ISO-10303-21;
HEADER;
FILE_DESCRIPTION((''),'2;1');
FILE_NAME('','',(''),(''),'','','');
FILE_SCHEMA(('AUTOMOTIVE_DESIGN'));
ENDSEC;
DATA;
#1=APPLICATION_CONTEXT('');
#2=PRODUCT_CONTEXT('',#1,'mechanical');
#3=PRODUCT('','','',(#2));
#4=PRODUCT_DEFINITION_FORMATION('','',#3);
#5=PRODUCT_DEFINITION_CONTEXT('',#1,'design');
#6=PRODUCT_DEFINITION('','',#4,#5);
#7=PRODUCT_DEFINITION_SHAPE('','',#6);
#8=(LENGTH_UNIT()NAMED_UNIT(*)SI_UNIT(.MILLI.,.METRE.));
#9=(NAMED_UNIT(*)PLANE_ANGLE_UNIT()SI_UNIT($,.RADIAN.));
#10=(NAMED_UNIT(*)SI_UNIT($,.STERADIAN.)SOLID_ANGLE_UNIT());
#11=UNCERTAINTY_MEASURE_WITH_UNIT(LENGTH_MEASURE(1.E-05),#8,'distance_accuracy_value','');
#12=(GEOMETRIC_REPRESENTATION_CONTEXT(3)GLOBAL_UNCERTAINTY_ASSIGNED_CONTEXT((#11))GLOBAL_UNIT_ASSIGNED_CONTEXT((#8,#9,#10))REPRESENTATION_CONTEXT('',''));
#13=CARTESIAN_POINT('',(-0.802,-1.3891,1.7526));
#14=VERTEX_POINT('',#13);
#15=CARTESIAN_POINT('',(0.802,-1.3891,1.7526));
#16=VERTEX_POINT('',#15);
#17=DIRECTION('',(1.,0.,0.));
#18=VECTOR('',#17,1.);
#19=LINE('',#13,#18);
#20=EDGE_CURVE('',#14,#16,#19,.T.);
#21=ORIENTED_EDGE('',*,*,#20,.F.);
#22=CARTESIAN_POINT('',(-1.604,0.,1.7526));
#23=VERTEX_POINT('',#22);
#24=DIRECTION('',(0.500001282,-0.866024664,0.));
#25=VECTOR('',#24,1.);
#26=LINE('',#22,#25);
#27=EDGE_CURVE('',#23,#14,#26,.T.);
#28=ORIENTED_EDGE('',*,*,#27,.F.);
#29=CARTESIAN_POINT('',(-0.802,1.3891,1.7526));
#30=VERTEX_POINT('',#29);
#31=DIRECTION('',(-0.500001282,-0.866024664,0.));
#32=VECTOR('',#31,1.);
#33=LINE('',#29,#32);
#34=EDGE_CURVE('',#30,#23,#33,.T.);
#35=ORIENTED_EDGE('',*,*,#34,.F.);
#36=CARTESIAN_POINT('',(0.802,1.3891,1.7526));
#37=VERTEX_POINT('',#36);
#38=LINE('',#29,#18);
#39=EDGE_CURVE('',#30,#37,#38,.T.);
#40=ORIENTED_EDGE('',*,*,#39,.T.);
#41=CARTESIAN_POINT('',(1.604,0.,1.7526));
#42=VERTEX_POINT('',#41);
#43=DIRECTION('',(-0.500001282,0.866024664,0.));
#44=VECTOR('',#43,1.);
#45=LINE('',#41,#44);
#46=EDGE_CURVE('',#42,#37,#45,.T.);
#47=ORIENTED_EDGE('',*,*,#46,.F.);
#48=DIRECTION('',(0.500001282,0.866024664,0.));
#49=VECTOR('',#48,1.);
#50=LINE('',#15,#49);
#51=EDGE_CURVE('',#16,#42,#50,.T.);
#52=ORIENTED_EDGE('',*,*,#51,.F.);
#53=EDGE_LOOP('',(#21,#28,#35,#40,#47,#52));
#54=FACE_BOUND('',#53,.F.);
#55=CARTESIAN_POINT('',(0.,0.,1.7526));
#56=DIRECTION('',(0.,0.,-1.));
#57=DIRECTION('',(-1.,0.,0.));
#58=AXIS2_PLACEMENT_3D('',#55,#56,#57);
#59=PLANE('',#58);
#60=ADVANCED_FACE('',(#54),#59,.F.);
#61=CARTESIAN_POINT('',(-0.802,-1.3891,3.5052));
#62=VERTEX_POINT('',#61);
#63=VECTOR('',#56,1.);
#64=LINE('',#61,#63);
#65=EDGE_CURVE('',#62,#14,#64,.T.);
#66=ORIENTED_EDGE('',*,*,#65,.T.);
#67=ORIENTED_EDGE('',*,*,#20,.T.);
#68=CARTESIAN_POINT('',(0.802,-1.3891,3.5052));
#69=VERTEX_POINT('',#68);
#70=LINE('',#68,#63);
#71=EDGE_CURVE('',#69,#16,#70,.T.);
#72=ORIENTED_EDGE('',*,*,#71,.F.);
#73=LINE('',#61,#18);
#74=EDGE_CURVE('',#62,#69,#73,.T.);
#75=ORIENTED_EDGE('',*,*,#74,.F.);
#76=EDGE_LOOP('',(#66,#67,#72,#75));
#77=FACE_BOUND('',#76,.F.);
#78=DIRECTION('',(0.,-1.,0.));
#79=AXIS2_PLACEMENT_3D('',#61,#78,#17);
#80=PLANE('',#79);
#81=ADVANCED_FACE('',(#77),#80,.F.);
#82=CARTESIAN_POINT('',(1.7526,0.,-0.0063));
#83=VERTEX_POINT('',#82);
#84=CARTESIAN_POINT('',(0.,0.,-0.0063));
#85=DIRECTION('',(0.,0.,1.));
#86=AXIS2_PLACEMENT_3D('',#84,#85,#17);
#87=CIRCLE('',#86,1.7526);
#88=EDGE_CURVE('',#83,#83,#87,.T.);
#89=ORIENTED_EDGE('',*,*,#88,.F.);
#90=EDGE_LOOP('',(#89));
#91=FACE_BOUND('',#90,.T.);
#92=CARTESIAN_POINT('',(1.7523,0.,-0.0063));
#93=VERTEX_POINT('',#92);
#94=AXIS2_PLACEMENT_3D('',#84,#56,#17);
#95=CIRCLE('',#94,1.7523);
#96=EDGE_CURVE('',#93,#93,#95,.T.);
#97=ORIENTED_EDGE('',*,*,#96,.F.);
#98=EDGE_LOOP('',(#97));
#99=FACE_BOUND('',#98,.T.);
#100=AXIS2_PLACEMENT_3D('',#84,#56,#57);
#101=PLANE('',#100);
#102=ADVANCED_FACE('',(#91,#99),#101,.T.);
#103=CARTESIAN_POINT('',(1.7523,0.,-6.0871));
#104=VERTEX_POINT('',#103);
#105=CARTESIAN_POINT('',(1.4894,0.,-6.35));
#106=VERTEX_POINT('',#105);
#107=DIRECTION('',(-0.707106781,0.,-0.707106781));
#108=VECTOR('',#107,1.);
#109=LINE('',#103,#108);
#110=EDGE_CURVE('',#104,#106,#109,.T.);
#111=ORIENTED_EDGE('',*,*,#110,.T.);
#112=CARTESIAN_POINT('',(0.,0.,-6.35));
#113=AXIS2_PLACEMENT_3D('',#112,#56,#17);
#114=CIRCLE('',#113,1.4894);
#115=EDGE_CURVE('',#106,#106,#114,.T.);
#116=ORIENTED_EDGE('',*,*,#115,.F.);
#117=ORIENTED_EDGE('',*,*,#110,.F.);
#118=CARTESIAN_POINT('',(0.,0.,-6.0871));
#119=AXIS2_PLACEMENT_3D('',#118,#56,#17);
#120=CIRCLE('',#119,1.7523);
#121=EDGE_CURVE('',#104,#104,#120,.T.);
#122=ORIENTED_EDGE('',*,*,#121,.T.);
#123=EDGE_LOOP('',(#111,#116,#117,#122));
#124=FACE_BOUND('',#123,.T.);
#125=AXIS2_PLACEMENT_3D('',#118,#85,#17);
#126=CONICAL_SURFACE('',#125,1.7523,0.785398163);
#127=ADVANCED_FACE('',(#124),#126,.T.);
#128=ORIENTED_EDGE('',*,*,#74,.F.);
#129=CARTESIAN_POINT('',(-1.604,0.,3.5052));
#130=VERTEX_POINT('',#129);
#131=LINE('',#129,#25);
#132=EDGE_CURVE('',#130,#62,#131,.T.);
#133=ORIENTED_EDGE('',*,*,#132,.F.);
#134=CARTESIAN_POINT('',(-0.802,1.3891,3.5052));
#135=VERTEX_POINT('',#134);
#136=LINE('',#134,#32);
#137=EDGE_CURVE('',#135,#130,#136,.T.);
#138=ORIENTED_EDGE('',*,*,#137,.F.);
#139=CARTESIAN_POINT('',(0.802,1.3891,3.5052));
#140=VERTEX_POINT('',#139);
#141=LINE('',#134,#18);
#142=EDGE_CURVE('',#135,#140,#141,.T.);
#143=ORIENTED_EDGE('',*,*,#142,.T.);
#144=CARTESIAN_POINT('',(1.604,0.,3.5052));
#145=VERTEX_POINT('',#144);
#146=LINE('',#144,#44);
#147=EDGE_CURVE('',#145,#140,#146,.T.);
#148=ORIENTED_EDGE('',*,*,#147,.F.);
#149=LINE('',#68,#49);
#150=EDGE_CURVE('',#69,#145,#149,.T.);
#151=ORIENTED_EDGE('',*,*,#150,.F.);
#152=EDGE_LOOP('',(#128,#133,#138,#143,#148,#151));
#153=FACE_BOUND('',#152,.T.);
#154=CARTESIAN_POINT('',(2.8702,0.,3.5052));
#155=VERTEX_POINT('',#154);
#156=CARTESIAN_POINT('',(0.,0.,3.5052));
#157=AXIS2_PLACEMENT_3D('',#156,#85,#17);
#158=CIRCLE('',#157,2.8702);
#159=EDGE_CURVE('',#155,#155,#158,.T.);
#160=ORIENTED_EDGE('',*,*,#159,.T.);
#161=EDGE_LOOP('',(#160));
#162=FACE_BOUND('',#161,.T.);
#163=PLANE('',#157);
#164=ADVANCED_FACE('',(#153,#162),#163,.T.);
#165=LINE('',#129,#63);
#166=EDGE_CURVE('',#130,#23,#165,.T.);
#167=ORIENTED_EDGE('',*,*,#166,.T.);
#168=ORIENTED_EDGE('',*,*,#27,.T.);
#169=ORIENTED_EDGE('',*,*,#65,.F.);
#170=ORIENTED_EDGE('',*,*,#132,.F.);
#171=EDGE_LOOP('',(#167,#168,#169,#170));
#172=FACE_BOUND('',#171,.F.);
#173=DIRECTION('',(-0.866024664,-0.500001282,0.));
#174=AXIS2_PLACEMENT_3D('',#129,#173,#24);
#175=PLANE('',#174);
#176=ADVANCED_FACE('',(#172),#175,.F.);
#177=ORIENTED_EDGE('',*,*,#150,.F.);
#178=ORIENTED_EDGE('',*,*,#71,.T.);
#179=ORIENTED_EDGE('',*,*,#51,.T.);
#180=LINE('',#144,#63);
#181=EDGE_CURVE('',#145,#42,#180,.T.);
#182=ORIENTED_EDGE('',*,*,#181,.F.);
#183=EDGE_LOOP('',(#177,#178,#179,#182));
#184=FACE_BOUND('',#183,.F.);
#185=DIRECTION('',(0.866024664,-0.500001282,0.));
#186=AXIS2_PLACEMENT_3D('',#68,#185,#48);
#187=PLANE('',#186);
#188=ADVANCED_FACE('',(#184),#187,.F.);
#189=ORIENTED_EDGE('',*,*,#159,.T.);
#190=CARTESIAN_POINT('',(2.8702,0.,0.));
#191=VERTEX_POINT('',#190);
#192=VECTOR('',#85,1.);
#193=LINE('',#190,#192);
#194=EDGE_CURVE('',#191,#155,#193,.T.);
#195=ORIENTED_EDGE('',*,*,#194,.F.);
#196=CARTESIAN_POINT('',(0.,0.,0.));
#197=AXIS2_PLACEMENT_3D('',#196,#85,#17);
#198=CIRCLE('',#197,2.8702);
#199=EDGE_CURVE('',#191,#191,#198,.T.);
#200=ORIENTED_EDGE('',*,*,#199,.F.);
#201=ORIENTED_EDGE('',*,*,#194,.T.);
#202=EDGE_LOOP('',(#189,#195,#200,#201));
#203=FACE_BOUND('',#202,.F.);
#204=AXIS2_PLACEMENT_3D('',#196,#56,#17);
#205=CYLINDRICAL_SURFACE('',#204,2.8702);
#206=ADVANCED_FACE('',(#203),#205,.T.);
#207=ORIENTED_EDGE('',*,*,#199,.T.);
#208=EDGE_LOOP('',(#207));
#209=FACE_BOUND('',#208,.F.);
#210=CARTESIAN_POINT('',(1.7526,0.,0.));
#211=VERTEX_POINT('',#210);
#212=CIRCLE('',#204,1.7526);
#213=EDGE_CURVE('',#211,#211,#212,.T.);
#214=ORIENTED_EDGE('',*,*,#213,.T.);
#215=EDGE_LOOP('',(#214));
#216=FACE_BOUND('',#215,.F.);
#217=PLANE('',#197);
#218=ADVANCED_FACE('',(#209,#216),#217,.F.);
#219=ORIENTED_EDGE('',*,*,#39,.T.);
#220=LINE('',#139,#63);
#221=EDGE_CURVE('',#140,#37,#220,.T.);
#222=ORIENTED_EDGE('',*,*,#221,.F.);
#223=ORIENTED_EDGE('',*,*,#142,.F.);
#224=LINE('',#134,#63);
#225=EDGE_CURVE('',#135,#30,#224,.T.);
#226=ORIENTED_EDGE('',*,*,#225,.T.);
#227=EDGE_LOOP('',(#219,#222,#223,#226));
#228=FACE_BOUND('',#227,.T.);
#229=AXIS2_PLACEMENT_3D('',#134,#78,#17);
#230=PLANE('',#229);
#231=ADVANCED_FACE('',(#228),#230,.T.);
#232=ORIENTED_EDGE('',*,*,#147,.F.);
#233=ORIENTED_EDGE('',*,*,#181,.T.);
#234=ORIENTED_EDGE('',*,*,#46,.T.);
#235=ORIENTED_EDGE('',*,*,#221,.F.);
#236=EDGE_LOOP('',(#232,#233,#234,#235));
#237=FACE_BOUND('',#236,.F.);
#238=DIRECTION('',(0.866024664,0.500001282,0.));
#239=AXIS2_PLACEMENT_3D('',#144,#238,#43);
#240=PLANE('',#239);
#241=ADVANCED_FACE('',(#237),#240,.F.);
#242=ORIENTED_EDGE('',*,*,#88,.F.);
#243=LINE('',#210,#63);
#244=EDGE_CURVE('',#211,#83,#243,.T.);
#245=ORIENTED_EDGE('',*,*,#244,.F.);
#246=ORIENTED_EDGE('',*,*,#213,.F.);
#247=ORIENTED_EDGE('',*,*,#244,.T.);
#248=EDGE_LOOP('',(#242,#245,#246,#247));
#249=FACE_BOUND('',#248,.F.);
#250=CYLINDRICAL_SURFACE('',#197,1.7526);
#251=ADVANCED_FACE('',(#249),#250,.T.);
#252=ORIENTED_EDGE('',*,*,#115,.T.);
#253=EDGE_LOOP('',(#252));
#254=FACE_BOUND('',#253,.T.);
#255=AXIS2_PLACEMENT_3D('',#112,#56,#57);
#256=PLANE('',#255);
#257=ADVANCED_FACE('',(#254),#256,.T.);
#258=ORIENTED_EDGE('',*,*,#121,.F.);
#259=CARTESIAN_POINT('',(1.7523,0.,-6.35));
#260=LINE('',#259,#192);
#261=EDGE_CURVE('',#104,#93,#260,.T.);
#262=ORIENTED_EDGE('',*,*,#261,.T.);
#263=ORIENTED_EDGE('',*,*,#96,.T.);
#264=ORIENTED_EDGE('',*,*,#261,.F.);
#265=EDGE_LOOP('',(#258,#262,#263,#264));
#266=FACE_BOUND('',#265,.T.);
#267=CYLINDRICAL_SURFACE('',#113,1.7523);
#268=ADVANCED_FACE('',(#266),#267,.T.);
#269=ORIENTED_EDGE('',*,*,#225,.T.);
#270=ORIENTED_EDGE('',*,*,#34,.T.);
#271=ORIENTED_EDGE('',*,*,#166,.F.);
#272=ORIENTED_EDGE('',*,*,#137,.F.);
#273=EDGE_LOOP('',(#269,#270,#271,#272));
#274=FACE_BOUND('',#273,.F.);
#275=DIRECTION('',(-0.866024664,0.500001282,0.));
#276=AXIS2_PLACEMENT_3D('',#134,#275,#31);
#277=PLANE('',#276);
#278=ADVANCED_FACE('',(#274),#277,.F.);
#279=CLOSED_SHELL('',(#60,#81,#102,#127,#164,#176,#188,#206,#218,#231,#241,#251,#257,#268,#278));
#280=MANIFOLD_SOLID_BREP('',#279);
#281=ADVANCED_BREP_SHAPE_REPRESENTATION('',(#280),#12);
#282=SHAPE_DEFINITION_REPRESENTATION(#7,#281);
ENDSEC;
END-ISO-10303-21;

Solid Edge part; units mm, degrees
sketch "Sketch1" plane through (0, 0, 0) normal (0, 0, 1) x (1, 0, 0)
  circle A0 centre (0, 0) radius 2.8702
  dimension "D1" = 5.7404
extrude "Protrusion1" add sketch "Sketch1" along normal blind 3.5052
sketch "Sketch2" plane through (0, 0, 0) normal (0, 0, -1) x (1, 0, 0)
  circle A0 centre (0, 0) radius 1.7526
extrude "Protrusion2" add sketch "Sketch2" along normal blind 6.35
sketch "Sketch3" plane through (0, 0, -6.35) normal (0, 0, -1) x (1, 0, 0)
  circle A0 centre (0, 0) radius 1.7523
extrude "Cutout1" cut sketch "Sketch3" against normal blind 6.3437 flip side to cut
chamfer "Chamfer_1" distance 0.2629 angle 45 1 edges at (-1.7523, 0, -6.35)
sketch "Sketch4" plane through (0, 0, 3.5052) normal (0, 0, 1) x (1, 0, 0)
  line L0 (-0.802, 1.3891) -> (0.802, 1.3891)
  line L1 (1.604, 0) -> (0.802, 1.3891)
  line L2 (0.802, -1.3891) -> (1.604, 0)
  line L3 (-0.802, -1.3891) -> (0.802, -1.3891)
  line L4 (-1.604, 0) -> (-0.802, -1.3891)
  line L5 (-0.802, 1.3891) -> (-1.604, 0)
  dimension "D1" = 2.7781
extrude "Cutout2" cut sketch "Sketch4" against normal blind 1.7526
properties part number "185670"
